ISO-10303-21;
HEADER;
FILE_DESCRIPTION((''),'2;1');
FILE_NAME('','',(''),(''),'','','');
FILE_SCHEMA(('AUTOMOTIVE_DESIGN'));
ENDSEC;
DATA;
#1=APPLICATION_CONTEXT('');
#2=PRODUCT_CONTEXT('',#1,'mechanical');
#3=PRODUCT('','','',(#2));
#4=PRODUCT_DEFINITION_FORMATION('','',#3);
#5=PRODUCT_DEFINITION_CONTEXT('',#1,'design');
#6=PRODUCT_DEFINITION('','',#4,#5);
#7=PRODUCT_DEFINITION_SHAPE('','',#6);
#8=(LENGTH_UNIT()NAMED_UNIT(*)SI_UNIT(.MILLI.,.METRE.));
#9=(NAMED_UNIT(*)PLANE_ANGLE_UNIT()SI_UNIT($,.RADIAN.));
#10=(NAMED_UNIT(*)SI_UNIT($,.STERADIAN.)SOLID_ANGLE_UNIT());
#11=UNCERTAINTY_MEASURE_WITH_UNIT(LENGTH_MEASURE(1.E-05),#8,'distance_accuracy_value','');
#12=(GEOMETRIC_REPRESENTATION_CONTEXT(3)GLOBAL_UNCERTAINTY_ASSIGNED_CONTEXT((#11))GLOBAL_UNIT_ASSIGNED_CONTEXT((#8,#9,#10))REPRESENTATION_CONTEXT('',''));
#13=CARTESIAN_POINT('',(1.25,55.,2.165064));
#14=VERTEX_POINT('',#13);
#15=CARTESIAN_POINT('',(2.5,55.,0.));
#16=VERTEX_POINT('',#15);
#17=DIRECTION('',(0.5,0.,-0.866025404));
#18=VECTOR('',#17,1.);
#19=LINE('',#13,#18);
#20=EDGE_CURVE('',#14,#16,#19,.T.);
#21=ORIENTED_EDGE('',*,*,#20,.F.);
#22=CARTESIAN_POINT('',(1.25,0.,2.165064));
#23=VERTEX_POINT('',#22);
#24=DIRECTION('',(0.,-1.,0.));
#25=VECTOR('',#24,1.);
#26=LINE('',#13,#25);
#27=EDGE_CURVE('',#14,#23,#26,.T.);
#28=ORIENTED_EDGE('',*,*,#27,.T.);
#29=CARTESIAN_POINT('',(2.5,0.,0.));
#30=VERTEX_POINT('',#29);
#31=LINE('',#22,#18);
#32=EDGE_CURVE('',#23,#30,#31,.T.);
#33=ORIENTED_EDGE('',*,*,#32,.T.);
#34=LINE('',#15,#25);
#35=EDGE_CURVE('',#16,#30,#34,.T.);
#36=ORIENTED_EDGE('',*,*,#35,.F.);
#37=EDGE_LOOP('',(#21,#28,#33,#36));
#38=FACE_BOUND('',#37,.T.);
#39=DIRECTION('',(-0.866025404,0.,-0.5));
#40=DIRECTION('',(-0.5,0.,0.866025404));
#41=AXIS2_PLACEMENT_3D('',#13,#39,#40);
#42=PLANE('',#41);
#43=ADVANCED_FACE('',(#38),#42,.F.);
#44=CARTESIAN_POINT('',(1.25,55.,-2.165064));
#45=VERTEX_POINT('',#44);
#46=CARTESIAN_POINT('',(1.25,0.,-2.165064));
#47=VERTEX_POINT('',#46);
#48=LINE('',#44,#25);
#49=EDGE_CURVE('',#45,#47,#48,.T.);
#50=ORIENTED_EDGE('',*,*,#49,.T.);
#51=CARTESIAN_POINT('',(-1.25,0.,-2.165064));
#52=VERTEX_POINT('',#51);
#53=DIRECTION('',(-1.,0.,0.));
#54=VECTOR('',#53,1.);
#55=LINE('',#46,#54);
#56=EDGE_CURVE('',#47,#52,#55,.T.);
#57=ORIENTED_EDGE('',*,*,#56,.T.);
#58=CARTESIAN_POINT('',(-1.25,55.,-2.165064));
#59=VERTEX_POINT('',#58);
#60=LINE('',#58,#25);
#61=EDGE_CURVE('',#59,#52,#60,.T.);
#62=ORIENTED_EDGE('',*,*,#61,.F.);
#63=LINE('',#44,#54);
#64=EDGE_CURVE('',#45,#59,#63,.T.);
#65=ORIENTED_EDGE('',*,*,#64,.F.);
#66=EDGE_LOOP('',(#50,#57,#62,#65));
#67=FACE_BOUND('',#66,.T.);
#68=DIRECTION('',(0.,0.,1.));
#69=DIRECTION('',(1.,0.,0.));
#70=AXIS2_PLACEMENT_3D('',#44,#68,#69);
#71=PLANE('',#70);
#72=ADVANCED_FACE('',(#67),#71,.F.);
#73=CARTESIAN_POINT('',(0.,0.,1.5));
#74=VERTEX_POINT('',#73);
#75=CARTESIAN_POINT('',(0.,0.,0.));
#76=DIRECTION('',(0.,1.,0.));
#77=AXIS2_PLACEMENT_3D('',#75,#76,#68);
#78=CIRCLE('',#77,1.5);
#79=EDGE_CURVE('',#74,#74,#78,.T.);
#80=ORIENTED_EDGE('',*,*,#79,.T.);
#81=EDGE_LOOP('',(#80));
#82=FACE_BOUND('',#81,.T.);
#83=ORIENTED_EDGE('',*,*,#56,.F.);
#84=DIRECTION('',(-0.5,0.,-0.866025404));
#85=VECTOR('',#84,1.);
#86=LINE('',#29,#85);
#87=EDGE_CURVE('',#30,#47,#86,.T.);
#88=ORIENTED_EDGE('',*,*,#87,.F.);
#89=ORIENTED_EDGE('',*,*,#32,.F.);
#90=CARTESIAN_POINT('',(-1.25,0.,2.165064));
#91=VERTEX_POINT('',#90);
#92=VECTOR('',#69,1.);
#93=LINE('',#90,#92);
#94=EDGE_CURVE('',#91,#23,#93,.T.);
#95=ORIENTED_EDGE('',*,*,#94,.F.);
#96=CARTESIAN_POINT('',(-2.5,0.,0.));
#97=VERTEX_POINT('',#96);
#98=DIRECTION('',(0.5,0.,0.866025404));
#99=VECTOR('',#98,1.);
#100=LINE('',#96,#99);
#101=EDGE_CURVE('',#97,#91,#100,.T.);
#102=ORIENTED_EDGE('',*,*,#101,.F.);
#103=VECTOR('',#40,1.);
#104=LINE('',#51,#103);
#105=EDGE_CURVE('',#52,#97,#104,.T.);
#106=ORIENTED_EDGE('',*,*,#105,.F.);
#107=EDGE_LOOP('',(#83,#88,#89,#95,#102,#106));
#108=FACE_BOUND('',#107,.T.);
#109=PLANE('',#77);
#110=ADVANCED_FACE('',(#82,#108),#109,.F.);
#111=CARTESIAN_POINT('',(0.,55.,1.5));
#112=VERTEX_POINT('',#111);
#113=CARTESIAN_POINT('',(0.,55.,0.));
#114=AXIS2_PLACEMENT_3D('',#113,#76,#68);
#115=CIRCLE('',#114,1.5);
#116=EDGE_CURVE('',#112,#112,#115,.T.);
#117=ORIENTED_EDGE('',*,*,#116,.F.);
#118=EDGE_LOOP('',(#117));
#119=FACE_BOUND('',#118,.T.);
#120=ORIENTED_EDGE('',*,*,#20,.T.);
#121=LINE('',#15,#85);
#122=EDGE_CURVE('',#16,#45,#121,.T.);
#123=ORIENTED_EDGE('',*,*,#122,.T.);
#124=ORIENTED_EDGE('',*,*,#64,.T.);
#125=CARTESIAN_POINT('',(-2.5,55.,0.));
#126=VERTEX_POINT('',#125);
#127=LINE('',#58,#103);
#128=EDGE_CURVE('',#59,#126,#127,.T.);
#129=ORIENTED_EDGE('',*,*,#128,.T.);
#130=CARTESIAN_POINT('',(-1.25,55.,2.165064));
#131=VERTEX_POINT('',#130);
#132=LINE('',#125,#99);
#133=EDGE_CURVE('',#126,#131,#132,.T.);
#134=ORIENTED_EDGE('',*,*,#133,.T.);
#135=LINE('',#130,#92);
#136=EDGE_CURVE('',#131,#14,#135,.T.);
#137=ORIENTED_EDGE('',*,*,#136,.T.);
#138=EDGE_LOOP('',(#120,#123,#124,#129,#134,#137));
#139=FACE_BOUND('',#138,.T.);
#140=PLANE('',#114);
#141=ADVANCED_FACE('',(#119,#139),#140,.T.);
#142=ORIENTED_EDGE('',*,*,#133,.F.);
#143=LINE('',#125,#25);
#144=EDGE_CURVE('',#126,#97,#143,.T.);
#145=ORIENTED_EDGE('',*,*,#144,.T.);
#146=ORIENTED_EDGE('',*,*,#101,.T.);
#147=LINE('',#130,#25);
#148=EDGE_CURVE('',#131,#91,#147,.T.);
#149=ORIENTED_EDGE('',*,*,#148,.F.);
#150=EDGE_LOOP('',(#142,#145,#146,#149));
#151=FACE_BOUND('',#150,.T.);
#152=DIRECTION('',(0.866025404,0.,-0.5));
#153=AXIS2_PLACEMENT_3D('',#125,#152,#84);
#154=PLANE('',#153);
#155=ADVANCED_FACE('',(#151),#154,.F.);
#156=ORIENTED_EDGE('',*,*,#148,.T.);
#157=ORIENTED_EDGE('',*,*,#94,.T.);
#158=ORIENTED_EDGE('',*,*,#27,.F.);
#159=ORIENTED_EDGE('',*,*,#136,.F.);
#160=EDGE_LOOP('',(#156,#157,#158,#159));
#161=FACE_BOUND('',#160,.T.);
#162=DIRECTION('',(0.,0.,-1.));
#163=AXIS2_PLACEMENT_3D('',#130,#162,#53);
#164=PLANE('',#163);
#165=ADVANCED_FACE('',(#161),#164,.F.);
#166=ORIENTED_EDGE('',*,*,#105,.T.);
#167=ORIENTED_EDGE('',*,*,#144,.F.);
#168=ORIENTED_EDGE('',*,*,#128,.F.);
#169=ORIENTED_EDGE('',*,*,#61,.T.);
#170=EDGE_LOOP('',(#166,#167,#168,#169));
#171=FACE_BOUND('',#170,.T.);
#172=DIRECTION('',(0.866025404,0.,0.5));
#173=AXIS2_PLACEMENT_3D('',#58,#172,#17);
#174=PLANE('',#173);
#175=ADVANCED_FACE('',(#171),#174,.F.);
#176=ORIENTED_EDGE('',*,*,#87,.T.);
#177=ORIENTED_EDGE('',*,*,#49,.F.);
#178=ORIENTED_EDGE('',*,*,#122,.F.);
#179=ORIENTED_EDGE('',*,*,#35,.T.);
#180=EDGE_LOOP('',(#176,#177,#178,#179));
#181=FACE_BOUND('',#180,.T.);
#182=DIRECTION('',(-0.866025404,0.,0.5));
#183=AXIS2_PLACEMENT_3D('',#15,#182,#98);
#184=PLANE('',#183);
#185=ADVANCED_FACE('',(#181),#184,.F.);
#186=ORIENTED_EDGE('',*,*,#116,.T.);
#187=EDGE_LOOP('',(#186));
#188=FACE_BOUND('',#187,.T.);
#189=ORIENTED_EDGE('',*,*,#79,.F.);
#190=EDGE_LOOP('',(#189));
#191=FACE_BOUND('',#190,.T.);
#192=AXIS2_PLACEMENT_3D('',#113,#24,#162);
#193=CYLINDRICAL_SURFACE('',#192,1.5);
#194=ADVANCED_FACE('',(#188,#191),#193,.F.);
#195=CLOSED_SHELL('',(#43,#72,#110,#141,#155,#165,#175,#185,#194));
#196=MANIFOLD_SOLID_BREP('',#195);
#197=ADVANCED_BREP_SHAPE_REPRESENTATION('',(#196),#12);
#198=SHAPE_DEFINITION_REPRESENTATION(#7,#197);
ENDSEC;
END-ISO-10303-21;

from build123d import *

# Parameters (mm, degrees)
SKETCH_1_R      = 1.5
EXTRUDE_1_DEPTH = 55


with BuildPart() as part:
    # 草图1 → 凸台-拉伸1 (new body)
    with BuildSketch(Plane(origin=(0, 0, 0), x_dir=(1, 0, 0), z_dir=(0, 1, 0))):
        Polygon((-2.5, 0), (-1.25, -2.165063509), (1.25, -2.165063509), (2.5, 0), (1.25, 2.165063509), (-1.25, 2.165063509), align=None)
        Circle(SKETCH_1_R, mode=Mode.SUBTRACT)
    extrude(amount=EXTRUDE_1_DEPTH)


solid = part.part
